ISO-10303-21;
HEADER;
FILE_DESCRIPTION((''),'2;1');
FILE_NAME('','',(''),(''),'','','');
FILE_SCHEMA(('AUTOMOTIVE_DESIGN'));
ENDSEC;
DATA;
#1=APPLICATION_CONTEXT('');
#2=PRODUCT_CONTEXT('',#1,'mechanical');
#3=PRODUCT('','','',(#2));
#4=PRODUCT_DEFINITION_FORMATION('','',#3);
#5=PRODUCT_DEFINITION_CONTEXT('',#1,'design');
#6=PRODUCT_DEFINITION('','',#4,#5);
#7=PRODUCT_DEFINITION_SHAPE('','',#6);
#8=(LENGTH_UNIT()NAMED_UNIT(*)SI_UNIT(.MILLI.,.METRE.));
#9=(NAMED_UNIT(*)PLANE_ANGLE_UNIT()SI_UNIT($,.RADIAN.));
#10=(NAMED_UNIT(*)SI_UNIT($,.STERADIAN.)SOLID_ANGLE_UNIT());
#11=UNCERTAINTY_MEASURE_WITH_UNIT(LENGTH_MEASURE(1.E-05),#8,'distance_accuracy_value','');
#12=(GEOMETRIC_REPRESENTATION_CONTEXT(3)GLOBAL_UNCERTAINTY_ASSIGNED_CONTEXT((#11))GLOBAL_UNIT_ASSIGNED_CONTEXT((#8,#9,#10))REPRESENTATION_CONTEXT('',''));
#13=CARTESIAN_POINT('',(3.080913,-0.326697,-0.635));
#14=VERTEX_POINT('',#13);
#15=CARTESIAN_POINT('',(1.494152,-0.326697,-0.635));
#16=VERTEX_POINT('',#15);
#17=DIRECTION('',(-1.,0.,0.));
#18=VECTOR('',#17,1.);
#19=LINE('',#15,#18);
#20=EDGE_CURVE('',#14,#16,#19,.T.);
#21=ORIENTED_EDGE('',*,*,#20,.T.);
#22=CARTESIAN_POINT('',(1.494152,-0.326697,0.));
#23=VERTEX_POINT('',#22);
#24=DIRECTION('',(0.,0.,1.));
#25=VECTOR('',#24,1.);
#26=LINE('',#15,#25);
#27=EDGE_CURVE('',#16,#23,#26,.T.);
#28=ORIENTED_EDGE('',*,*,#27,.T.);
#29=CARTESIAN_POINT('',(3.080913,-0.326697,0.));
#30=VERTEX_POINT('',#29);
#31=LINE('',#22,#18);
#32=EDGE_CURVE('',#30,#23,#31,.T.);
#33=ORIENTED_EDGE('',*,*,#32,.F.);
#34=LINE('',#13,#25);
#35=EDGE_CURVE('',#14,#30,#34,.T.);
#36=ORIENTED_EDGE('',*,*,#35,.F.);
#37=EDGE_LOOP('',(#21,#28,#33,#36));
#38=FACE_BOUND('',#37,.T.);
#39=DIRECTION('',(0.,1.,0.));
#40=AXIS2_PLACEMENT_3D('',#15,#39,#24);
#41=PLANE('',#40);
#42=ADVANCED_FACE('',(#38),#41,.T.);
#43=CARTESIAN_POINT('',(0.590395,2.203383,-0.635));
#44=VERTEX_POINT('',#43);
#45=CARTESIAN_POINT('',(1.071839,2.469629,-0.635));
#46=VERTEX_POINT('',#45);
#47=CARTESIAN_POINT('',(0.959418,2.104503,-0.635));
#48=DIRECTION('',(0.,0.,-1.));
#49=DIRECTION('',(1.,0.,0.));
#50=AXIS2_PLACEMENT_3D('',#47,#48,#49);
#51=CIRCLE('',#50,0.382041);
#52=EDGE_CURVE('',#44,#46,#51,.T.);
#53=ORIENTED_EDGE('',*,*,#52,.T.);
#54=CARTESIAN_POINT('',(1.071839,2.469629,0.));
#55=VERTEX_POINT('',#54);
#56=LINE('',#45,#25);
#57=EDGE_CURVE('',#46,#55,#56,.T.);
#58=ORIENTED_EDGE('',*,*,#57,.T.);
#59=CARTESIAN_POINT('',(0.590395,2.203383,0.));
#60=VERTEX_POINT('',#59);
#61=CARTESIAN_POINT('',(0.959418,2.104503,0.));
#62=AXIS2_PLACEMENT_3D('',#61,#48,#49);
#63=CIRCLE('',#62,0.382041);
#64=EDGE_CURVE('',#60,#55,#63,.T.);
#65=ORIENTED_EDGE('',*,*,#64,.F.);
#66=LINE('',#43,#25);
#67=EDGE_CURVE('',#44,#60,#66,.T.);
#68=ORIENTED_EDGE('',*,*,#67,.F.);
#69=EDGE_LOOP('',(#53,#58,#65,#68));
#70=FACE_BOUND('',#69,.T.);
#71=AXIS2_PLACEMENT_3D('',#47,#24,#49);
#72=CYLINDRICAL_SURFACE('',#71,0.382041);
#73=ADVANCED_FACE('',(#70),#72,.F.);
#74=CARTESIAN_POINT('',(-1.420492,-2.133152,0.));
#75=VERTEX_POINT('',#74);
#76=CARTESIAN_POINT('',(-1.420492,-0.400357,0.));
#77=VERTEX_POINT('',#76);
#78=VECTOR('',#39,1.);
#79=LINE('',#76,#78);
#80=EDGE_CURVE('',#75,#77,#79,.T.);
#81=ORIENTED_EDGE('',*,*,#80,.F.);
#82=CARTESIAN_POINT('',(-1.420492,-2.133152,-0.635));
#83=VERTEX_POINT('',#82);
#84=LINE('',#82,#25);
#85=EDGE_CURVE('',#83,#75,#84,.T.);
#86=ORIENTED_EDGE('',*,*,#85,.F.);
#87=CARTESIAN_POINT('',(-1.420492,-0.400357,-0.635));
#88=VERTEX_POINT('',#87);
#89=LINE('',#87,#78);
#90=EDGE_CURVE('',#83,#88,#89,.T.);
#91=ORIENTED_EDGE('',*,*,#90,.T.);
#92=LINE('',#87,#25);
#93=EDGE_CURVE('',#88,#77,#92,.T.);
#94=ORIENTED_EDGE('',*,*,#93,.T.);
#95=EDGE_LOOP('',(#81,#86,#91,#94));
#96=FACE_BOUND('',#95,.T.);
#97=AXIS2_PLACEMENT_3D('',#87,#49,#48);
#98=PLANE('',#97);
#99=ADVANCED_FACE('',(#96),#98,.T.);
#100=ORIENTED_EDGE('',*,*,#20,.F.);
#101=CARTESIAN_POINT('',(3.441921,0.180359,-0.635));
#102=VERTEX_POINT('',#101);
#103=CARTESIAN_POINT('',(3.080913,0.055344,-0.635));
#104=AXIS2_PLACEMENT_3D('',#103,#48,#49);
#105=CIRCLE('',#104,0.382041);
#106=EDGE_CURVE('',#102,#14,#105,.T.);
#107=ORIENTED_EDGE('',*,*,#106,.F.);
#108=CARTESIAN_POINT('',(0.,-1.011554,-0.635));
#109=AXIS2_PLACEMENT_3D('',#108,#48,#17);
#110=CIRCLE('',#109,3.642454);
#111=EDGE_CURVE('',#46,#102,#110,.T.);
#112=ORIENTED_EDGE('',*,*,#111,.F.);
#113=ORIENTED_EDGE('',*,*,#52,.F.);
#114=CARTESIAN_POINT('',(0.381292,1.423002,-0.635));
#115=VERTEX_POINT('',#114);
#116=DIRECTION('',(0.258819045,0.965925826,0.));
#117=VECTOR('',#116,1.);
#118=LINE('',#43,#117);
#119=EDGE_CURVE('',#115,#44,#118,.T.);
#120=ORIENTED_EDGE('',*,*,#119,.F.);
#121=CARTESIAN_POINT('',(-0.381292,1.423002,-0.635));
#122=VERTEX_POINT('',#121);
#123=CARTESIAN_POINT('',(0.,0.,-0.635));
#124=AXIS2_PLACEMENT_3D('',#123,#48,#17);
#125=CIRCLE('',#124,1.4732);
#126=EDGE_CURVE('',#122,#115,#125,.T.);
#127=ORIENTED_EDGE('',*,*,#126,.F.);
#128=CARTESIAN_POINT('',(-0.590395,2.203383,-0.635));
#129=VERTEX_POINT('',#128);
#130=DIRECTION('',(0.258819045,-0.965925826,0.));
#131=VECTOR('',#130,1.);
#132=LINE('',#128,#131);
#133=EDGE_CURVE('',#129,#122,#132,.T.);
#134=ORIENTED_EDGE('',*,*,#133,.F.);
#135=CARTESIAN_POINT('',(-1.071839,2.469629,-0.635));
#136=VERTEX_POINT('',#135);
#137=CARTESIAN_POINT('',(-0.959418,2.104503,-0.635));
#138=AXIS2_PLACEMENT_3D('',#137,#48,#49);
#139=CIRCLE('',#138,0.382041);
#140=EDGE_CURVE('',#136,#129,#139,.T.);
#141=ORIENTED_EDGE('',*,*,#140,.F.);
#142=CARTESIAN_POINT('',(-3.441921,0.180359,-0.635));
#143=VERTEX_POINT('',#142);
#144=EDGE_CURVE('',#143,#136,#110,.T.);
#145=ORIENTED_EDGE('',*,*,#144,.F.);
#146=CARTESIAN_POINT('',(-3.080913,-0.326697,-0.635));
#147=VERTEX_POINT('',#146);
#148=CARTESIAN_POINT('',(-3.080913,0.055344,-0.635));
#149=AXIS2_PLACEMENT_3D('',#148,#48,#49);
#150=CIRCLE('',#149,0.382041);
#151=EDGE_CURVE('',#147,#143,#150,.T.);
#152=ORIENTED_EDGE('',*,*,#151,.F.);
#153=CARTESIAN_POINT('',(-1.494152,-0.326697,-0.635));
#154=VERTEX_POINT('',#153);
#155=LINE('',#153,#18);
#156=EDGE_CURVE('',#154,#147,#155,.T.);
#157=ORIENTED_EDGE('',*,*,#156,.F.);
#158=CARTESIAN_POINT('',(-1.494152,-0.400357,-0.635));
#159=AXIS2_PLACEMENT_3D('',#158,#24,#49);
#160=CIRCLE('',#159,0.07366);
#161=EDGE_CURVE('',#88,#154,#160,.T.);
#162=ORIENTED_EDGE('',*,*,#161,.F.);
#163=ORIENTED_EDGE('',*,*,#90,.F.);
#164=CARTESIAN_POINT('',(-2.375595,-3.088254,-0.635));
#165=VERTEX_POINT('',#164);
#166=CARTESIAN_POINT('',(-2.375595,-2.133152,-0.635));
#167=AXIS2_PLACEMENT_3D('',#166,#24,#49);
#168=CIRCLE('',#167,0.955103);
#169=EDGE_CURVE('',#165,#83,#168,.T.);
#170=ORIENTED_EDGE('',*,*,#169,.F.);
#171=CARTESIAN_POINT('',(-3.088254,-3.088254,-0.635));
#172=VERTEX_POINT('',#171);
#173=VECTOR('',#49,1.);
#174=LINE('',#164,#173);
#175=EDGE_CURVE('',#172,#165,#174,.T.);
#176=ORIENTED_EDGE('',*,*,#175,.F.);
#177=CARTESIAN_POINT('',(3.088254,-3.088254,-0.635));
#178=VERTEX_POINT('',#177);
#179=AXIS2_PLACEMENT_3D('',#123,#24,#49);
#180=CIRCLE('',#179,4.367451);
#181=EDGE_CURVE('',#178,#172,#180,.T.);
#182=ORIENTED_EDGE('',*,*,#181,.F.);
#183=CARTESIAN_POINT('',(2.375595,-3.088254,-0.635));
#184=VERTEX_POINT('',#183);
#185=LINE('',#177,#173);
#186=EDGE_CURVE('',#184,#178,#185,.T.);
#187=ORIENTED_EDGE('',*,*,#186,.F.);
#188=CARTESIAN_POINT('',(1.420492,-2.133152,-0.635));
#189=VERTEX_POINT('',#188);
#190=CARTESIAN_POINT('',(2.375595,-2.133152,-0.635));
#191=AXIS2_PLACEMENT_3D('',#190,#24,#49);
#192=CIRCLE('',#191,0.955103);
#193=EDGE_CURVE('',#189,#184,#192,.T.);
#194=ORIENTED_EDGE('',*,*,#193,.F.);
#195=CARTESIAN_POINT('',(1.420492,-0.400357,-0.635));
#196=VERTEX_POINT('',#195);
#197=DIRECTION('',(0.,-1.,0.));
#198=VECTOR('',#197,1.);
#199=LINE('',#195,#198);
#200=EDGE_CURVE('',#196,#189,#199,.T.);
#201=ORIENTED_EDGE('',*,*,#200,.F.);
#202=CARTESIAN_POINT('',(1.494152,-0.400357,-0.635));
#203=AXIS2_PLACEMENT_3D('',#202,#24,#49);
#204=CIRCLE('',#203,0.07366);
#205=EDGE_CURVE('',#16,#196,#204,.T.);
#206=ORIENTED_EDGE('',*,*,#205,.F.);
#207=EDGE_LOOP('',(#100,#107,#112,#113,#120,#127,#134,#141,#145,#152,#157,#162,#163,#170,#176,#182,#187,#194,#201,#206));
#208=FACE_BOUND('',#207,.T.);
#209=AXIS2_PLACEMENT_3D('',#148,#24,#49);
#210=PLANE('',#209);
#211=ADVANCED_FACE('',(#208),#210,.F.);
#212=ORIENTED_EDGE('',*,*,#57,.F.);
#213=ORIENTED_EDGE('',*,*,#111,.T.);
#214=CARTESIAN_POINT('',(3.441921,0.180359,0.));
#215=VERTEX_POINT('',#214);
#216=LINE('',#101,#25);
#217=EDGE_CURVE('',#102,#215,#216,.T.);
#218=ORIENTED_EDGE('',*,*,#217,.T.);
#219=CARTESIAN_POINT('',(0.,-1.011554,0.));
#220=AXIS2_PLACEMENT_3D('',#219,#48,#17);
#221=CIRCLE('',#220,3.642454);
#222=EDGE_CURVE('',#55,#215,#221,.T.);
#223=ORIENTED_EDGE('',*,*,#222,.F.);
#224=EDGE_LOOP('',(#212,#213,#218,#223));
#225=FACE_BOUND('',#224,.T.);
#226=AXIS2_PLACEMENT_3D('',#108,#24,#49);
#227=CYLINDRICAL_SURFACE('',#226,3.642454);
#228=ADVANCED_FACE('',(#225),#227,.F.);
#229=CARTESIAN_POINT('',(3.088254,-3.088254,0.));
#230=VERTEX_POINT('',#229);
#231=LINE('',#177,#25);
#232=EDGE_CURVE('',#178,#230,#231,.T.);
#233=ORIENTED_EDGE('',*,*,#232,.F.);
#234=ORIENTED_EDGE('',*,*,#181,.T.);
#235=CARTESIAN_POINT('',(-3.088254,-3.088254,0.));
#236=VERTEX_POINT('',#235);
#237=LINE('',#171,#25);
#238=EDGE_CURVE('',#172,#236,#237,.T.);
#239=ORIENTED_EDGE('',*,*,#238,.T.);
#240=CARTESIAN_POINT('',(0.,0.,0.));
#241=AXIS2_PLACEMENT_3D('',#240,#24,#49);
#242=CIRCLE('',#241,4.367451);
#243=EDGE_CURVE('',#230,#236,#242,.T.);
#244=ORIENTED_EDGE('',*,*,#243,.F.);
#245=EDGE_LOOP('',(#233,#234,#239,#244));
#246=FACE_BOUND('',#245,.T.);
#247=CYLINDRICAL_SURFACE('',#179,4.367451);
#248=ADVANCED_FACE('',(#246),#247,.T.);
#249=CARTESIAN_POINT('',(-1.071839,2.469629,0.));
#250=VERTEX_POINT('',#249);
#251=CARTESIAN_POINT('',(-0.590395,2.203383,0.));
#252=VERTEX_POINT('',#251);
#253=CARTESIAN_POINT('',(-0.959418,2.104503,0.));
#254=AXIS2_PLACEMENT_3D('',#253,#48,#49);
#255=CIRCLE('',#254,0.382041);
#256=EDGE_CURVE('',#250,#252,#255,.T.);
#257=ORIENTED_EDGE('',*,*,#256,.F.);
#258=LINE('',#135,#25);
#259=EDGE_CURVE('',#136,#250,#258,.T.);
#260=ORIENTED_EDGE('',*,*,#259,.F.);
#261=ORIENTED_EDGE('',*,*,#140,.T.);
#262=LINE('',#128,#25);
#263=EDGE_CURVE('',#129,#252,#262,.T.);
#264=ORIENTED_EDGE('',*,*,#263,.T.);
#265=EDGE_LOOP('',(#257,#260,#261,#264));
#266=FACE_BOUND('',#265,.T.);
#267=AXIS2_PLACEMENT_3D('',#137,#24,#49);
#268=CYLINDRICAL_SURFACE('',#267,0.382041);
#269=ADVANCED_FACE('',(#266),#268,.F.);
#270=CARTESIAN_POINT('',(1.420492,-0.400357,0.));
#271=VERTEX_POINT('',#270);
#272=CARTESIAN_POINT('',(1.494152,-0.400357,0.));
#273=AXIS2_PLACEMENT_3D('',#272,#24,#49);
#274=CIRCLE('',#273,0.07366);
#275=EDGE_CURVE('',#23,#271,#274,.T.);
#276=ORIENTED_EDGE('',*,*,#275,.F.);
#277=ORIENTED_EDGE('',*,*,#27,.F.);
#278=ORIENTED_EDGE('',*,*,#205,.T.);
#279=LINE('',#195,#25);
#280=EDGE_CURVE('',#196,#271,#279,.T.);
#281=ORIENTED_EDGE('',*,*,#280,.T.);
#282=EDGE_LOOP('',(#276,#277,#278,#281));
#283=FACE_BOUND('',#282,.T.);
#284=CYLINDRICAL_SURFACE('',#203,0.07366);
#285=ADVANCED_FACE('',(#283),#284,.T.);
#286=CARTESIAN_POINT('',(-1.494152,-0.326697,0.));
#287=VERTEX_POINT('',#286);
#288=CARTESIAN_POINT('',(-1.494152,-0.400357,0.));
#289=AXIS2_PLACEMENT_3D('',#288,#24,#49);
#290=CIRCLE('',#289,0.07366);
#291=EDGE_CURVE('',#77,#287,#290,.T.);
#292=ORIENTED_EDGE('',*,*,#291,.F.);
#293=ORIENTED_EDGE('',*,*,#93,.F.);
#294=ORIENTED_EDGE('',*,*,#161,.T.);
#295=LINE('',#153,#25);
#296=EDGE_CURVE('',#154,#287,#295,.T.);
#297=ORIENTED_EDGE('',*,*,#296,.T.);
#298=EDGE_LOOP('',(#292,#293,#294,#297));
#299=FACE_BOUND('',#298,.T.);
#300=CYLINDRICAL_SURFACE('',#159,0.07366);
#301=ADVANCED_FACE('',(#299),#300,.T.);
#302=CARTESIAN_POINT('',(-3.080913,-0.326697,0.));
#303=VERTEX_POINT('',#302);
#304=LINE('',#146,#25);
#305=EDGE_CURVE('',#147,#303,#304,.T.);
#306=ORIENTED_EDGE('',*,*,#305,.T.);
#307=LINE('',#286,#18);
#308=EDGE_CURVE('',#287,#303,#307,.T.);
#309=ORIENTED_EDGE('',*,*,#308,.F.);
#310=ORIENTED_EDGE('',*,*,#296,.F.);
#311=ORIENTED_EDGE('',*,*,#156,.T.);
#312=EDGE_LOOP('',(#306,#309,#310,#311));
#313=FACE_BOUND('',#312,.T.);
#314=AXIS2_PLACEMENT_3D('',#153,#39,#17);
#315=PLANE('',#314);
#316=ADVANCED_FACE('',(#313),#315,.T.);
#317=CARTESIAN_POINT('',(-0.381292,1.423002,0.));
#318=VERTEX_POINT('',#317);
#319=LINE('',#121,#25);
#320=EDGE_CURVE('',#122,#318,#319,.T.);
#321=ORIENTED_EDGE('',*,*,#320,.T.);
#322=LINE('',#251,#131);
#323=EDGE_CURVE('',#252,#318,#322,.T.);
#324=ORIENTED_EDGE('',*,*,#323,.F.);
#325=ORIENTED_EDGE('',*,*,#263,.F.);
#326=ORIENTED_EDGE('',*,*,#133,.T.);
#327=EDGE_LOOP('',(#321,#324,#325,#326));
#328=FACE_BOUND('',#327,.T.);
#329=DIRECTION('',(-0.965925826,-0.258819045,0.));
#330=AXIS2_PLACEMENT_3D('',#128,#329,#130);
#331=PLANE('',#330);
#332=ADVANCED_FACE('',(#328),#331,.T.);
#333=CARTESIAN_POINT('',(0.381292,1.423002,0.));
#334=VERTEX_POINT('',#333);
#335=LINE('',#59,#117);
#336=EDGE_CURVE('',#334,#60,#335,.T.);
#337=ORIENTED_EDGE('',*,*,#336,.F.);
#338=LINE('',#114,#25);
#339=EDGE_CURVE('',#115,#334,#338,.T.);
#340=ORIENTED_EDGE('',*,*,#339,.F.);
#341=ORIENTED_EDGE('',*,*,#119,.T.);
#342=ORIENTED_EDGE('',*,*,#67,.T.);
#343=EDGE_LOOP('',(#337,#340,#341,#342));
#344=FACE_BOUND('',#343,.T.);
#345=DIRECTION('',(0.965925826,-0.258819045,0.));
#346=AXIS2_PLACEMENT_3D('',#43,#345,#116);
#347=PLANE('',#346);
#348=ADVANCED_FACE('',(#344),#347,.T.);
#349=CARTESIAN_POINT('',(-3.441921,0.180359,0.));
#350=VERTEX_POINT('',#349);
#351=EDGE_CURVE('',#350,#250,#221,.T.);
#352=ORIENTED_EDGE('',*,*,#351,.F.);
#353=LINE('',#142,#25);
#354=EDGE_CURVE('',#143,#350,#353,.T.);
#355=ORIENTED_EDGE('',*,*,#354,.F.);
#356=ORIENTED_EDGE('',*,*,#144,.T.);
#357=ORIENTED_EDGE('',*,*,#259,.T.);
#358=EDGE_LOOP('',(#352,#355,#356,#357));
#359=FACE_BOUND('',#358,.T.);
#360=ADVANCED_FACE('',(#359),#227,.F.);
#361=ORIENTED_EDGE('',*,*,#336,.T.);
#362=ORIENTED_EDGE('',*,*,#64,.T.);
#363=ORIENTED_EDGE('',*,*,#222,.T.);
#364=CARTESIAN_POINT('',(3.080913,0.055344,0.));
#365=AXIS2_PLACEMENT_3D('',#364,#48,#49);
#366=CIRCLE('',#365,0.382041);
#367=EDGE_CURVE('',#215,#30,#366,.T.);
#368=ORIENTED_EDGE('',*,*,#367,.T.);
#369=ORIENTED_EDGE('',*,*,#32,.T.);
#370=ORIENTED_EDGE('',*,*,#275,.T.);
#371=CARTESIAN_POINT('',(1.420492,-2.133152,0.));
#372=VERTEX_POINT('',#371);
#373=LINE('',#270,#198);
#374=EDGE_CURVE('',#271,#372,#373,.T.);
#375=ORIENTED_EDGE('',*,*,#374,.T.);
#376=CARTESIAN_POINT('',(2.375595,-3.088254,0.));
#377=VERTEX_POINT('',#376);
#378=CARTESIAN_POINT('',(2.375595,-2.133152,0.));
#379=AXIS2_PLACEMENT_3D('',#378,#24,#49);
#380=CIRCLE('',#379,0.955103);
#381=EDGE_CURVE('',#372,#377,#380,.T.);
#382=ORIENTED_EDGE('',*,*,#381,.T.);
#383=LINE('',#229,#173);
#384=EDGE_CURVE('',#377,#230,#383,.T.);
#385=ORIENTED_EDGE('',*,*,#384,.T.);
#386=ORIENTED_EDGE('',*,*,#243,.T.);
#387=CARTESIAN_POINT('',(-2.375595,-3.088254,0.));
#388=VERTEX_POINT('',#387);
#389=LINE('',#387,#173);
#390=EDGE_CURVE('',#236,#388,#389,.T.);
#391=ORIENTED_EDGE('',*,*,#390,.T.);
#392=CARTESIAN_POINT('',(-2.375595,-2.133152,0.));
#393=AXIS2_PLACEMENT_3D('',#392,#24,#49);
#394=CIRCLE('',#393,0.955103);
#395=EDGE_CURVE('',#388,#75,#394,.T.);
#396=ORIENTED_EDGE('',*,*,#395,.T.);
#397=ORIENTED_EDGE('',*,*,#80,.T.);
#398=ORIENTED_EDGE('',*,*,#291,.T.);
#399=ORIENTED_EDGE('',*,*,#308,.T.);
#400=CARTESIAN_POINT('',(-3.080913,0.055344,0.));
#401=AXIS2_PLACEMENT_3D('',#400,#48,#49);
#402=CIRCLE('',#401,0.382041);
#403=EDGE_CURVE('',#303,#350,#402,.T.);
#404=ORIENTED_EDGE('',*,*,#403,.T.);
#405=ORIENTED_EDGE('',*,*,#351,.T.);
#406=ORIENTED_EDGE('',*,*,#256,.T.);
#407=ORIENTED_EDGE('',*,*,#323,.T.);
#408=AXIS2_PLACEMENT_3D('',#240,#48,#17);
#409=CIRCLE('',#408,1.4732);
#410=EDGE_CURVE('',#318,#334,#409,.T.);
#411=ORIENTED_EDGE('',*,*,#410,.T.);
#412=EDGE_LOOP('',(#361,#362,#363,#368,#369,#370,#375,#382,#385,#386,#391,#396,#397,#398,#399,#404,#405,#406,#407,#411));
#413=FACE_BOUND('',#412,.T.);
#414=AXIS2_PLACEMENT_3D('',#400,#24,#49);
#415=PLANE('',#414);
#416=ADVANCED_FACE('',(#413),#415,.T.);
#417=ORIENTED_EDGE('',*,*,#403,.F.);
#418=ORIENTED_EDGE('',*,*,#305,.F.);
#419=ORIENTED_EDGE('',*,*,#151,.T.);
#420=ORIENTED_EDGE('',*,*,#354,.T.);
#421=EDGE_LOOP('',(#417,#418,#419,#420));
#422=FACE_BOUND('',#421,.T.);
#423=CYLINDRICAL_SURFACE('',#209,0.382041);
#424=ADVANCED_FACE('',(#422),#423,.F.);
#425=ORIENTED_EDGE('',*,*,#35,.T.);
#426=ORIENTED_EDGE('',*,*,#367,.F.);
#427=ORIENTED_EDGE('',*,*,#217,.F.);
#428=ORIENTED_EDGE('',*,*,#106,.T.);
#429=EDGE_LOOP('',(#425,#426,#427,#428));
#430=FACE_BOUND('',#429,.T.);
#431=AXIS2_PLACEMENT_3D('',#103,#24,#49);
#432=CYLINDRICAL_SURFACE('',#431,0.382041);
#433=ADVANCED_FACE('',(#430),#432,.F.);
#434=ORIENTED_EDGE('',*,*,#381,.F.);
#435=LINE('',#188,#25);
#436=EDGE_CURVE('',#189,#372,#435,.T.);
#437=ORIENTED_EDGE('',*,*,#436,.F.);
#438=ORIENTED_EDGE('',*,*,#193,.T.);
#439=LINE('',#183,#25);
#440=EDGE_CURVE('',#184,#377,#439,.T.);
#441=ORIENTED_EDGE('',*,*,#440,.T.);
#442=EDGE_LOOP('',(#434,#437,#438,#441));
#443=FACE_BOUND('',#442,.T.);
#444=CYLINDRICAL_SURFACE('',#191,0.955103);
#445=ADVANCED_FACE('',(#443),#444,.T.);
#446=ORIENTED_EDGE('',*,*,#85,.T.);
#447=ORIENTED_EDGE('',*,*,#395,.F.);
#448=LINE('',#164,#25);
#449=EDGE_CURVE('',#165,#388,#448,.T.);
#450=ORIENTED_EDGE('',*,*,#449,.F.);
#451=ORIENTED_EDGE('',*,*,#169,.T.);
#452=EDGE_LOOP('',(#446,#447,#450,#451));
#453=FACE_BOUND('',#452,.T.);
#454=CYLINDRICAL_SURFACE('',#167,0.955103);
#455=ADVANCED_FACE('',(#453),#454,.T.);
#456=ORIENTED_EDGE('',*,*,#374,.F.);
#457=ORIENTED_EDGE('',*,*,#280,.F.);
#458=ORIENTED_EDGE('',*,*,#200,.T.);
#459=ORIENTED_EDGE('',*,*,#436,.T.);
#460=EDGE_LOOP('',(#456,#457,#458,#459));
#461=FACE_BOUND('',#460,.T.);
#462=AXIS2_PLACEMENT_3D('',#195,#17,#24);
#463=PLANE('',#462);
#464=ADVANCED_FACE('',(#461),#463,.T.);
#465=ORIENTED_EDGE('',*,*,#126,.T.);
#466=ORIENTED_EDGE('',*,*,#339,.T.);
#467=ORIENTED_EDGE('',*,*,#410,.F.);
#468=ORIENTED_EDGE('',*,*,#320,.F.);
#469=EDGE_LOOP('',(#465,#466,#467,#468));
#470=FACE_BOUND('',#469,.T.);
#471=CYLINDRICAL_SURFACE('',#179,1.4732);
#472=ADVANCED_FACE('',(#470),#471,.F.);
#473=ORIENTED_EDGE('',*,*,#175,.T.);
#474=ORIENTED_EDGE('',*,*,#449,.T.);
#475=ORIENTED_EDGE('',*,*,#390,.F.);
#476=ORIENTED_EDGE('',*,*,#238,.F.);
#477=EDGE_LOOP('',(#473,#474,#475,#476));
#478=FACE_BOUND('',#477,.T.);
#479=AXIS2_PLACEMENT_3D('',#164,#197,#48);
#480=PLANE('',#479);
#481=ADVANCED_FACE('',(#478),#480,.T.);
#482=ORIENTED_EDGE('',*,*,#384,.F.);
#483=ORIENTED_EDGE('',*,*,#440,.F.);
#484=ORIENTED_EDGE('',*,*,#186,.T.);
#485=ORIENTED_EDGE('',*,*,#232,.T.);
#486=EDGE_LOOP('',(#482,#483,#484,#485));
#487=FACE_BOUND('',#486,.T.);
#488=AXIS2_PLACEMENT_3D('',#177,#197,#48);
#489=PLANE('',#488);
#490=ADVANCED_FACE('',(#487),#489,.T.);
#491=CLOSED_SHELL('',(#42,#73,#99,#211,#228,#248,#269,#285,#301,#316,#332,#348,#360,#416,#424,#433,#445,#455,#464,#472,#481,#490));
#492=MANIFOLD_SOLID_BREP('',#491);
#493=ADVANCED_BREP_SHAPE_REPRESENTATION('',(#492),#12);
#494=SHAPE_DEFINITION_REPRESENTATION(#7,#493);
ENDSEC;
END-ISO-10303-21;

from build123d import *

# Parameters (mm, degrees)
BODY_DEPTH = 0.635


with BuildPart() as part:
    # BodySke → Body (new body)
    with BuildSketch(Plane.XY):
        with BuildLine():
            Line((3.08825445, -3.08825445), (2.375594962, -3.08825445))
            ThreePointArc((2.375594962, -3.08825445), (1.700235197, -2.808511276), (1.420492024, -2.133151512))
            Line((1.420492024, -2.133151512), (1.420492024, -0.400356828))
            ThreePointArc((1.420492024, -0.400356828), (1.442066538, -0.348271343), (1.494152024, -0.326696828))
            Line((1.494152024, -0.326696828), (3.080912536, -0.326696828))
            ThreePointArc((3.080912536, -0.326696828), (3.392132841, -0.166234942), (3.441920608, 0.180358874))
            ThreePointArc((3.441920608, 0.180358874), (2.530552339, 1.608327553), (1.071838527, 2.46962929))
            ThreePointArc((1.071838527, 2.46962929), (0.774531372, 2.438826913), (0.590394611, 2.203382686))
            Line((0.590394611, 2.203382686), (0.381292217, 1.423001927))
            ThreePointArc((0.381292217, 1.423001927), (0, 1.4732), (-0.381292217, 1.423001927))
            Line((-0.381292217, 1.423001927), (-0.590394611, 2.203382686))
            ThreePointArc((-0.590394611, 2.203382686), (-0.774531372, 2.438826913), (-1.071838527, 2.46962929))
            ThreePointArc((-1.071838527, 2.46962929), (-2.530552339, 1.608327553), (-3.441920608, 0.180358874))
            ThreePointArc((-3.441920608, 0.180358874), (-3.392132841, -0.166234942), (-3.080912536, -0.326696828))
            Line((-3.080912536, -0.326696828), (-1.494152024, -0.326696828))
            ThreePointArc((-1.494152024, -0.326696828), (-1.442066538, -0.348271343), (-1.420492024, -0.400356828))
            Line((-1.420492024, -0.400356828), (-1.420492024, -2.133151512))
            ThreePointArc((-1.420492024, -2.133151512), (-1.700235197, -2.808511276), (-2.375594962, -3.08825445))
            Line((-2.375594962, -3.08825445), (-3.08825445, -3.08825445))
            ThreePointArc((-3.08825445, -3.08825445), (0, 4.367451327), (3.08825445, -3.08825445))
        make_face()
    extrude(amount=-BODY_DEPTH)


solid = part.part
